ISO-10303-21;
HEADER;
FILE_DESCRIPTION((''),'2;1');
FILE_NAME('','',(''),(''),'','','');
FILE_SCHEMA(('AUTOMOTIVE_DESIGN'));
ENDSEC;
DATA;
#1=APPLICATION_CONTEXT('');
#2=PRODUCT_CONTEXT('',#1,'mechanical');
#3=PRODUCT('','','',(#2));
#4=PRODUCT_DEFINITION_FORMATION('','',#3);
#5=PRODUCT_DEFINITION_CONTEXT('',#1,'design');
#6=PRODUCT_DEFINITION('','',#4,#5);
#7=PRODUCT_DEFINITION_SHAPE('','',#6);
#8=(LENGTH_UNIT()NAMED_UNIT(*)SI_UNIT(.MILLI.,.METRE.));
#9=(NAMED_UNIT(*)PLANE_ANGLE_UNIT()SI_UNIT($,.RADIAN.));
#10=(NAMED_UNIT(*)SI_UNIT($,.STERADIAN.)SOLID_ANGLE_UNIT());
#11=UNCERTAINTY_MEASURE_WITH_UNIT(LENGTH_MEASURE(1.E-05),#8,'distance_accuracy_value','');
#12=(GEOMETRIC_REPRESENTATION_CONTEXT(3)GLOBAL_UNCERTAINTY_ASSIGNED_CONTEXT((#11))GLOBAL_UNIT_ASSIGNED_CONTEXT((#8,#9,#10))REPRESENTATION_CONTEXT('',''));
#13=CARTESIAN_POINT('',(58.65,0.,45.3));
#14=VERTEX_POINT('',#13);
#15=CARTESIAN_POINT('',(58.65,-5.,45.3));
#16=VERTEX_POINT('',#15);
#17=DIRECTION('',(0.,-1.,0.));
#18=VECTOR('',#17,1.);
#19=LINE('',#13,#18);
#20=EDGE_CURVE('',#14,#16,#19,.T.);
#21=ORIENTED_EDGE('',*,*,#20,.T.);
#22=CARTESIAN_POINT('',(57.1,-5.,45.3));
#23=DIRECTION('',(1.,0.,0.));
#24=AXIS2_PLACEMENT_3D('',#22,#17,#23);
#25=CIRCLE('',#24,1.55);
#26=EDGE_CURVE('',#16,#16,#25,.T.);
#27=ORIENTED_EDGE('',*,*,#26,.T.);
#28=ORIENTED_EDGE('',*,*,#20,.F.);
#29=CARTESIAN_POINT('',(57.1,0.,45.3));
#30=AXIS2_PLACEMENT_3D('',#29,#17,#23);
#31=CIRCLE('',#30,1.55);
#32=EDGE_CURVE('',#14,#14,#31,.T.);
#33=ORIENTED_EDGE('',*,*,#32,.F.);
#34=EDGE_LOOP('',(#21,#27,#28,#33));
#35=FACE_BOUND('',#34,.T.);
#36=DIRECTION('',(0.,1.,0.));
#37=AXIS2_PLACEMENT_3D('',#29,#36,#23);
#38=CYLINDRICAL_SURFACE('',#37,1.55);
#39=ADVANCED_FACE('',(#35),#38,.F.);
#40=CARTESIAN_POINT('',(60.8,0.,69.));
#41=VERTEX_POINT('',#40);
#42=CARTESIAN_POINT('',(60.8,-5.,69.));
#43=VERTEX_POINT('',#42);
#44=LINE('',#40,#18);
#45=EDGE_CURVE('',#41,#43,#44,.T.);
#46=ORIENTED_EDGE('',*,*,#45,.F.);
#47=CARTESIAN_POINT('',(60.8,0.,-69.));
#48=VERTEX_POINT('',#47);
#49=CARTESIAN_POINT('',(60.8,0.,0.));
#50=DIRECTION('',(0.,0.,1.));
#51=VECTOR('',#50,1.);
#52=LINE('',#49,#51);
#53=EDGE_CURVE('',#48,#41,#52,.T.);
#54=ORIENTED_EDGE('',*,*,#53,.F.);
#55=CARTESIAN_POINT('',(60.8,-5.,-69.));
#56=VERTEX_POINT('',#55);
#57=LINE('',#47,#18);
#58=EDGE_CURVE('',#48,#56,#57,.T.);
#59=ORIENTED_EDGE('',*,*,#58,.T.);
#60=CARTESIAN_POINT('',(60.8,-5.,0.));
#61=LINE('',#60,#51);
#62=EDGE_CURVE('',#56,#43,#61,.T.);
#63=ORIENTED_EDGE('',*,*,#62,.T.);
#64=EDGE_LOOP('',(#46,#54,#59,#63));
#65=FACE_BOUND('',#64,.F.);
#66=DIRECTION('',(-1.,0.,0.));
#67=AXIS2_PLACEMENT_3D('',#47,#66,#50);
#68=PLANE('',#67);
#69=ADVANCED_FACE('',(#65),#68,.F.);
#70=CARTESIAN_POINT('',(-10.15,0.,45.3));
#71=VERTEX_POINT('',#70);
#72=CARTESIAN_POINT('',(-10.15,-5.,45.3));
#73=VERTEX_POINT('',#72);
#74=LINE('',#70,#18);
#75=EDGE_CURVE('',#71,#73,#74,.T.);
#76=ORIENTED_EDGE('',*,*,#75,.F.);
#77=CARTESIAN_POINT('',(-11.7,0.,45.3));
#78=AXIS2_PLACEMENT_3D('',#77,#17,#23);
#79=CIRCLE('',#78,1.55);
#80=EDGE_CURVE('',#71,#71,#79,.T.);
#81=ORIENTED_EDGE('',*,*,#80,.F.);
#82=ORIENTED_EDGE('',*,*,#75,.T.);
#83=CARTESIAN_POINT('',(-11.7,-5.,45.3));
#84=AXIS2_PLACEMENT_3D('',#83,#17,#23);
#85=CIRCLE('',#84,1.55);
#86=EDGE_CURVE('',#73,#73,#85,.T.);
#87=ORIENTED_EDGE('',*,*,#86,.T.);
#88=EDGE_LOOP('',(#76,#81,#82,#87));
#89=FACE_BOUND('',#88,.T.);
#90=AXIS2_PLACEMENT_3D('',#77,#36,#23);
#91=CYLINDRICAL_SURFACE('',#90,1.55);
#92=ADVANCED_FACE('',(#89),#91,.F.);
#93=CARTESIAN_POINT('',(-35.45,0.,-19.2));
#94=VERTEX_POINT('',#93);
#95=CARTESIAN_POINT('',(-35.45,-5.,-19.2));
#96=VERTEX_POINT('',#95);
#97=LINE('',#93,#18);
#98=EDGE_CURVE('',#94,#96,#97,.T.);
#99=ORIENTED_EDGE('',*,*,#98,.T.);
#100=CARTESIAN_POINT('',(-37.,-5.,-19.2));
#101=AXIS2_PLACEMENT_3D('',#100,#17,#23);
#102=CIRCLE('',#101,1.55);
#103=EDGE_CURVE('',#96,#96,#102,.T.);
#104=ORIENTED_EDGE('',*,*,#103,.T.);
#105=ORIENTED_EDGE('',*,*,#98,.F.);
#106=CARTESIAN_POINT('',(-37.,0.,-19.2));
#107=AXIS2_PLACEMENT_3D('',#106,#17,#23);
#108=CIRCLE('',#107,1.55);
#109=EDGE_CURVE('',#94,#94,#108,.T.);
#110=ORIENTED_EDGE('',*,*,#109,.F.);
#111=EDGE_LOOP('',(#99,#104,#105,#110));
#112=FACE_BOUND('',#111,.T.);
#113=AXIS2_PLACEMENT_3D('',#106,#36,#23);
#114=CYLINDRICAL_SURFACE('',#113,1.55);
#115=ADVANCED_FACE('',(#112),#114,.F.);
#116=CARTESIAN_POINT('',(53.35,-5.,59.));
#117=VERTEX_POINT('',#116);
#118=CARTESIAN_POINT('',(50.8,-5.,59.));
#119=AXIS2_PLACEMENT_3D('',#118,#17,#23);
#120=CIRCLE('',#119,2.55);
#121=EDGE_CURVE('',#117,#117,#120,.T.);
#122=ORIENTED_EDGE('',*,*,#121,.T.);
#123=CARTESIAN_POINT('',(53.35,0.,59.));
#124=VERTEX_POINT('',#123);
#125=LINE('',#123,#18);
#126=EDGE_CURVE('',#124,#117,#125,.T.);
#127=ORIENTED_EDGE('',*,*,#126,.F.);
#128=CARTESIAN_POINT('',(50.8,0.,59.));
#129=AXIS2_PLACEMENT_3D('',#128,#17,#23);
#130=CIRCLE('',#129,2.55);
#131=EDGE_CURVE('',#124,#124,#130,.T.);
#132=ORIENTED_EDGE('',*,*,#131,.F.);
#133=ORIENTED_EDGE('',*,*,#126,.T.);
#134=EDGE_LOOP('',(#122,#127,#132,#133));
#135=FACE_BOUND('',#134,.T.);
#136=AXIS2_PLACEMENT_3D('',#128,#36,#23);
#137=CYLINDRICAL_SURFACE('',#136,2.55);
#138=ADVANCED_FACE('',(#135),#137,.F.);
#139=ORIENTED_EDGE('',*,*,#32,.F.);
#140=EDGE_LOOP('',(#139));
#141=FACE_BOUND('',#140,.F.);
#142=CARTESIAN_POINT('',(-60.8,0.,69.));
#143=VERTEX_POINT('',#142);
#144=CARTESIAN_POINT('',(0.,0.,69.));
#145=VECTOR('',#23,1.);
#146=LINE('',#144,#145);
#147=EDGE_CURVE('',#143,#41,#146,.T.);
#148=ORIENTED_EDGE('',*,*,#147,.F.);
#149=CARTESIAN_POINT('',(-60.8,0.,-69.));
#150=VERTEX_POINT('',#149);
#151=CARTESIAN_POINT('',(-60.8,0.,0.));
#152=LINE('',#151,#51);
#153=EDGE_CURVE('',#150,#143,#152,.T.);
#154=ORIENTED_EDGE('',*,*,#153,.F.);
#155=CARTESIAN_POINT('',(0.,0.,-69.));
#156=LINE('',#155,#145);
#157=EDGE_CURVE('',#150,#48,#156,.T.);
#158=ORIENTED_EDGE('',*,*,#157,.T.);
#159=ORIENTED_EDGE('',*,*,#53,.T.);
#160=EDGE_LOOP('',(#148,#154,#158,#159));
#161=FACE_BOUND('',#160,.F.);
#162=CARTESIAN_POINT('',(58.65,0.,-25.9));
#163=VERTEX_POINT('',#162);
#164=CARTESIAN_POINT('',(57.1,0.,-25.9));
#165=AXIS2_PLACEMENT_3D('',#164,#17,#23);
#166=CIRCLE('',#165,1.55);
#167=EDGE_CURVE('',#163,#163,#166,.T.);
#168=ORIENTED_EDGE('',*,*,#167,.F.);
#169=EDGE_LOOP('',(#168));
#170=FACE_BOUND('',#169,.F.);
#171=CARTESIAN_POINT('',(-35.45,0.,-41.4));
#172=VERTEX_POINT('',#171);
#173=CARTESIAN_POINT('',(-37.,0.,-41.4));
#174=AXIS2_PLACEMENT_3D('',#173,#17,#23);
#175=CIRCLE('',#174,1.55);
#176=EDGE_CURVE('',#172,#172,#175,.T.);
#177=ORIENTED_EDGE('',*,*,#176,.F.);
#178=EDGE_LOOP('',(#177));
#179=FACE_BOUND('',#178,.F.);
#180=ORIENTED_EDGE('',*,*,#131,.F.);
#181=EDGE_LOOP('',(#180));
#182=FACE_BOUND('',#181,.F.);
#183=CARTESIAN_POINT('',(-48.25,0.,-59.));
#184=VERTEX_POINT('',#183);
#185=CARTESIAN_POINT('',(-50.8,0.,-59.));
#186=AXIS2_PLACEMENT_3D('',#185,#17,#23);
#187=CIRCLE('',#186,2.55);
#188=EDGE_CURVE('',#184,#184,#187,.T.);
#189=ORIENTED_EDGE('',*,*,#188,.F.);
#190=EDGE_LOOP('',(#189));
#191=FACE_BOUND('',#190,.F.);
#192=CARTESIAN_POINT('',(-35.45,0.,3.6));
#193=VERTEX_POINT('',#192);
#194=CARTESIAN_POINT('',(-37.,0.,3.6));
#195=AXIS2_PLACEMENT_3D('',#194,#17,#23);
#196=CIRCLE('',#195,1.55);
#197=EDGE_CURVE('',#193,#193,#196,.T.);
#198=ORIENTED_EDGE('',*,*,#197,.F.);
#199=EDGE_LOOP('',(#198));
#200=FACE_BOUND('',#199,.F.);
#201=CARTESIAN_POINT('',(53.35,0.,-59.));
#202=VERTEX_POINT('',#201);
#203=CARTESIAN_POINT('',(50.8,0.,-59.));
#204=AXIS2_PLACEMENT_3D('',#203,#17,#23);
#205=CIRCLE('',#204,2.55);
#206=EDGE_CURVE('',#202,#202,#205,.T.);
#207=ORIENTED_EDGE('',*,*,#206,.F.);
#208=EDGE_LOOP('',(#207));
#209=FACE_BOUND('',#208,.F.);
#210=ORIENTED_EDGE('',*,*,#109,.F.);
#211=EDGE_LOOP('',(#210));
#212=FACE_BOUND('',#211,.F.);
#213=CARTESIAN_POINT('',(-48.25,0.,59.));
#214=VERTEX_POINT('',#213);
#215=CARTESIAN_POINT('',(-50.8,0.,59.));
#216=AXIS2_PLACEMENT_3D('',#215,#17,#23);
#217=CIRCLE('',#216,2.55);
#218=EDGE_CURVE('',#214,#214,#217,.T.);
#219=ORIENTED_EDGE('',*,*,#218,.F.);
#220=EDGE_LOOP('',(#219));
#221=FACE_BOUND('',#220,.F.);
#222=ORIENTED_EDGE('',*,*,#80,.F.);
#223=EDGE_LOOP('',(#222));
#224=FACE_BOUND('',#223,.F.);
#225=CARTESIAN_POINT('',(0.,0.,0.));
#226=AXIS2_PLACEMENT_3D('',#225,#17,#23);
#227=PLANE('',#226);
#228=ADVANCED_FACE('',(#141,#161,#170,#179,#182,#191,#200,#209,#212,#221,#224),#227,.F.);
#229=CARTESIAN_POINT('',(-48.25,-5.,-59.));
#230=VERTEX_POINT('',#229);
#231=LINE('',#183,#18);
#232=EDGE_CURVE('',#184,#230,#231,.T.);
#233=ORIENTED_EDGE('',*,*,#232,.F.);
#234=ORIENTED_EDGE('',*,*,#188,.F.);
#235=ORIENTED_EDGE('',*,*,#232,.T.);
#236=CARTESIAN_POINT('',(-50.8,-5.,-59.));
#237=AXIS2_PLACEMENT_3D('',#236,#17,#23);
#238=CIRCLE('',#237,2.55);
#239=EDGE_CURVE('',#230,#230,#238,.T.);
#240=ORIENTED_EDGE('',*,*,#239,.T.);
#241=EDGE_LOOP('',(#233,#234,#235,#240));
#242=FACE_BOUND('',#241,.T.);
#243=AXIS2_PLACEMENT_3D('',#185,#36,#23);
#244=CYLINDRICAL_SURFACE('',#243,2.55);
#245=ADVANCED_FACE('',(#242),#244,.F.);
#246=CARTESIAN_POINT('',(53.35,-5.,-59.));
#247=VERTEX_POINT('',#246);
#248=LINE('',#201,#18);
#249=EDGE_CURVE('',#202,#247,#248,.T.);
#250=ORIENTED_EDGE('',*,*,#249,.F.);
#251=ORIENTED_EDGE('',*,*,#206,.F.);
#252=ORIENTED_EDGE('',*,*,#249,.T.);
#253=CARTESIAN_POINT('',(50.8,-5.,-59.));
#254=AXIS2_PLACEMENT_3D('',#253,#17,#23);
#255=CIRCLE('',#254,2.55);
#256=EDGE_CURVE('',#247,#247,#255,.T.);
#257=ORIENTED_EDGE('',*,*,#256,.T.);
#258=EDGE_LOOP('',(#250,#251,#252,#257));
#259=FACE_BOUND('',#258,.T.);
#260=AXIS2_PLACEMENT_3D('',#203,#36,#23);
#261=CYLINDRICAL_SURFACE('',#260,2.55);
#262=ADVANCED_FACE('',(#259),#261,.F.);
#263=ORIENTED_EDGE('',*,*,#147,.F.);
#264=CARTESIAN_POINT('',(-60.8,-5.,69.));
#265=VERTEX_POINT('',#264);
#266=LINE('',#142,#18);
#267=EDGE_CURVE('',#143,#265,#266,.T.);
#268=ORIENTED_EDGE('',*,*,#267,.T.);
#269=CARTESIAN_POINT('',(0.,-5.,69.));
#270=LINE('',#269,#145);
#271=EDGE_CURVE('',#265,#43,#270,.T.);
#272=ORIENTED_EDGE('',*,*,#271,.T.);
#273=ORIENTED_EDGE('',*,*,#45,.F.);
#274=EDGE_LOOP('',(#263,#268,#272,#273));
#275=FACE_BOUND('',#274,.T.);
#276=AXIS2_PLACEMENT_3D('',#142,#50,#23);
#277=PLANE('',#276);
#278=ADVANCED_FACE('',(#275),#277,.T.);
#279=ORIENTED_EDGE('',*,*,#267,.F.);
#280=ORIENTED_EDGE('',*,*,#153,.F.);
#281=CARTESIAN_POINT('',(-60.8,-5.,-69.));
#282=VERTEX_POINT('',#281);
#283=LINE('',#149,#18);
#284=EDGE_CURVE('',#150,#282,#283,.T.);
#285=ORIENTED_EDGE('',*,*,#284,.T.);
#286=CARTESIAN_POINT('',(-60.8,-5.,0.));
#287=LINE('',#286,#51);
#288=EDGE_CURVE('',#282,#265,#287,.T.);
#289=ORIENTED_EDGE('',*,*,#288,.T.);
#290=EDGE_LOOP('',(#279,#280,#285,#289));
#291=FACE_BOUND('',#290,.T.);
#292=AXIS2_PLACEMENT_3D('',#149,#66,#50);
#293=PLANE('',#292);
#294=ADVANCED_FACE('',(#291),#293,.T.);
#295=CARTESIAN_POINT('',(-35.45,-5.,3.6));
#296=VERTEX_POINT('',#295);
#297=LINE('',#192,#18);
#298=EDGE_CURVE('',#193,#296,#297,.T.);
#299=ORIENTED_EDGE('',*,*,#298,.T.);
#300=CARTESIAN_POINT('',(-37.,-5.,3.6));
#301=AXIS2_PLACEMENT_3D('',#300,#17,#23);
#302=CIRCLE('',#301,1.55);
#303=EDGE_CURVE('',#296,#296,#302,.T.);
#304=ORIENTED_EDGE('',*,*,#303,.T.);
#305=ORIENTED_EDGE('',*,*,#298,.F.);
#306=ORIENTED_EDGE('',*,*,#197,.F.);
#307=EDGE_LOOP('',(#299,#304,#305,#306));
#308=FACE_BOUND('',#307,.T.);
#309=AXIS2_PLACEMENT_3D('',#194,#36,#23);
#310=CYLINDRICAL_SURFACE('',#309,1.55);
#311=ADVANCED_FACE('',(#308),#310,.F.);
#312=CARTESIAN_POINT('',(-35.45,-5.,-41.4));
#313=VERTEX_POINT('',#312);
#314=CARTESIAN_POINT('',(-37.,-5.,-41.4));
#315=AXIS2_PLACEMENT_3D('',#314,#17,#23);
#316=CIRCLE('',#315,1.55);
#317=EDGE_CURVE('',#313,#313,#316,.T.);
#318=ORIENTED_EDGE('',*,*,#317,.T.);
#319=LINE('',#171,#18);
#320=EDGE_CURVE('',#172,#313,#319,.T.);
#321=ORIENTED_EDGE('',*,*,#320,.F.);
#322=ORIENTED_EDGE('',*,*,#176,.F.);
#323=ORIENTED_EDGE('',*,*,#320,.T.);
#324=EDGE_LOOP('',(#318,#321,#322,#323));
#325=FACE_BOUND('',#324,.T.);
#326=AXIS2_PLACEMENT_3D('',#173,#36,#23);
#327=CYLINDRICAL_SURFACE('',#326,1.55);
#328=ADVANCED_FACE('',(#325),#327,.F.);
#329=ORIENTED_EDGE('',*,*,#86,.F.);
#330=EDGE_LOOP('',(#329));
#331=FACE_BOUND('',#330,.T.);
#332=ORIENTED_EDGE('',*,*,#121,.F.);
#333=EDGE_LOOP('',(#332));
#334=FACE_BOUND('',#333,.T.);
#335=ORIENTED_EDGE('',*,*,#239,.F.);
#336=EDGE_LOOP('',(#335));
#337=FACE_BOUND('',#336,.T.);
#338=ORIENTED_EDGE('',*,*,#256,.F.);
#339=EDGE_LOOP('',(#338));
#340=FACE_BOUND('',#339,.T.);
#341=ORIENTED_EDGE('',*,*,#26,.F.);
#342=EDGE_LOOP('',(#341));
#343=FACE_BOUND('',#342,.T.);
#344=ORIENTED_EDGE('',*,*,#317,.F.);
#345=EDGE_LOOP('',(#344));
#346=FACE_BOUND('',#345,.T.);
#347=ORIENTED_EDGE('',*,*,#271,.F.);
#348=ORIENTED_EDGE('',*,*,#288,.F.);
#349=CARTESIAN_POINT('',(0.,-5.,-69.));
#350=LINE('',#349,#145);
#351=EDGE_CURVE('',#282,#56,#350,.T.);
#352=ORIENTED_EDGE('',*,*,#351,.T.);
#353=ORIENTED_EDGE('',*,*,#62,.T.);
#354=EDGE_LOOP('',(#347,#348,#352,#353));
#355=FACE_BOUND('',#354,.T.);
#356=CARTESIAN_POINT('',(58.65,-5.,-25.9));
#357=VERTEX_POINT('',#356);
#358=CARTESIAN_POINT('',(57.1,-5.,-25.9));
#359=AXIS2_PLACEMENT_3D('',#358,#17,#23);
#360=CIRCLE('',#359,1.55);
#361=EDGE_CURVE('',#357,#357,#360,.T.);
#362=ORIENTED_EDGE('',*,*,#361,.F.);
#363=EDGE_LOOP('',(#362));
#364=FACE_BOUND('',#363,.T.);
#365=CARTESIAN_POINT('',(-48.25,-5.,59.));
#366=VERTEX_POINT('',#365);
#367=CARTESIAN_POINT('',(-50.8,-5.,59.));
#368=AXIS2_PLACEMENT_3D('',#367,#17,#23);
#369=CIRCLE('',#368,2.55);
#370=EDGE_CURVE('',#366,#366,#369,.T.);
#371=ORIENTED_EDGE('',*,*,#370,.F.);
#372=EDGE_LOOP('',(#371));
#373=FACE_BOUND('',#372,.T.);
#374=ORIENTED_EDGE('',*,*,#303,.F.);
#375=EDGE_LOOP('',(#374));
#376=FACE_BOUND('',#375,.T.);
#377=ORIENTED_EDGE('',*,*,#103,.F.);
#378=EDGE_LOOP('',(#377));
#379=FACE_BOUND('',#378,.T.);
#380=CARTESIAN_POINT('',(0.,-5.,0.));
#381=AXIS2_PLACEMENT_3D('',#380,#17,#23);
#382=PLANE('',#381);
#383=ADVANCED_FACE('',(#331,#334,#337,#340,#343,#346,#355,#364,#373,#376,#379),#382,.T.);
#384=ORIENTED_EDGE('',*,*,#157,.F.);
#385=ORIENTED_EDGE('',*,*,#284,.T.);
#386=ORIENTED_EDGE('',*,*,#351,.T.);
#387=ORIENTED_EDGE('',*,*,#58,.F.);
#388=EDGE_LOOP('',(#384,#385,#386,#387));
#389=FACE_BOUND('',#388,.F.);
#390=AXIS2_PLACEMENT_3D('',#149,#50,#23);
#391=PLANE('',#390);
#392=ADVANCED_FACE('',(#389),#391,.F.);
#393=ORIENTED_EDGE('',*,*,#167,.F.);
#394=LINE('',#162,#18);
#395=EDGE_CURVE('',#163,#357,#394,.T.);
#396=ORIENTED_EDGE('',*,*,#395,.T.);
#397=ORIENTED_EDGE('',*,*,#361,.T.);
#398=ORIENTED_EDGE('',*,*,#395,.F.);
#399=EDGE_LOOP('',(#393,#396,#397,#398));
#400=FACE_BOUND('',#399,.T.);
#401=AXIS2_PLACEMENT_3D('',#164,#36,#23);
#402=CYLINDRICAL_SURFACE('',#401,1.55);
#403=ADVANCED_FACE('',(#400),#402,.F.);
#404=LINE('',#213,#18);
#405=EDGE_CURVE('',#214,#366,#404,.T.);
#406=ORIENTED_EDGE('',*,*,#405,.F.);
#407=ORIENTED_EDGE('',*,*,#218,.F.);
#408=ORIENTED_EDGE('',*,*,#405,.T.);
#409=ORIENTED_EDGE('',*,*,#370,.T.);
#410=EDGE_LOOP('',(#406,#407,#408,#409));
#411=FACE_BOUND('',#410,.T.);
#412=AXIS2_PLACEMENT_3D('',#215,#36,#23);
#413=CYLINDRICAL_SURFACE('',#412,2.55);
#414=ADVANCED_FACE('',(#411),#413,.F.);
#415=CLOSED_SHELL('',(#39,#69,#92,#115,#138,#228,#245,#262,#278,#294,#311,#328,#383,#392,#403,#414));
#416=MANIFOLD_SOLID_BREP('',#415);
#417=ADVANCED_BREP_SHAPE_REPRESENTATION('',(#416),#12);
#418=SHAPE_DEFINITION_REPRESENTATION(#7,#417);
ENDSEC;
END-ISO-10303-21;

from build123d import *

# Parameters (mm, degrees)
F0_W     = 121.6
F0_H     = 138
F0_R     = 2.55
F0_R_2   = 1.55
F1_DEPTH = 5


with BuildPart() as f1:
    # F0 (on Front) → F1 (new body)
    with BuildSketch(Plane.XZ):
        Rectangle(F0_W, F0_H)
        with Locations((-50.8, -59)):
            Circle(F0_R, mode=Mode.SUBTRACT)
        with Locations((-37, -41.4)):
            Circle(F0_R_2, mode=Mode.SUBTRACT)
        with Locations((-37, -19.2)):
            Circle(F0_R_2, mode=Mode.SUBTRACT)
        with Locations((50.8, -59)):
            Circle(F0_R, mode=Mode.SUBTRACT)
        with Locations((57.1, -25.9)):
            Circle(F0_R_2, mode=Mode.SUBTRACT)
        with Locations((-37, 3.6)):
            Circle(F0_R_2, mode=Mode.SUBTRACT)
        with Locations((-50.8, 59)):
            Circle(F0_R, mode=Mode.SUBTRACT)
        with Locations((-11.7, 45.3)):
            Circle(F0_R_2, mode=Mode.SUBTRACT)
        with Locations((57.1, 45.3)):
            Circle(F0_R_2, mode=Mode.SUBTRACT)
        with Locations((50.8, 59)):
            Circle(F0_R, mode=Mode.SUBTRACT)
    extrude(amount=F1_DEPTH)


solid = f1.part
